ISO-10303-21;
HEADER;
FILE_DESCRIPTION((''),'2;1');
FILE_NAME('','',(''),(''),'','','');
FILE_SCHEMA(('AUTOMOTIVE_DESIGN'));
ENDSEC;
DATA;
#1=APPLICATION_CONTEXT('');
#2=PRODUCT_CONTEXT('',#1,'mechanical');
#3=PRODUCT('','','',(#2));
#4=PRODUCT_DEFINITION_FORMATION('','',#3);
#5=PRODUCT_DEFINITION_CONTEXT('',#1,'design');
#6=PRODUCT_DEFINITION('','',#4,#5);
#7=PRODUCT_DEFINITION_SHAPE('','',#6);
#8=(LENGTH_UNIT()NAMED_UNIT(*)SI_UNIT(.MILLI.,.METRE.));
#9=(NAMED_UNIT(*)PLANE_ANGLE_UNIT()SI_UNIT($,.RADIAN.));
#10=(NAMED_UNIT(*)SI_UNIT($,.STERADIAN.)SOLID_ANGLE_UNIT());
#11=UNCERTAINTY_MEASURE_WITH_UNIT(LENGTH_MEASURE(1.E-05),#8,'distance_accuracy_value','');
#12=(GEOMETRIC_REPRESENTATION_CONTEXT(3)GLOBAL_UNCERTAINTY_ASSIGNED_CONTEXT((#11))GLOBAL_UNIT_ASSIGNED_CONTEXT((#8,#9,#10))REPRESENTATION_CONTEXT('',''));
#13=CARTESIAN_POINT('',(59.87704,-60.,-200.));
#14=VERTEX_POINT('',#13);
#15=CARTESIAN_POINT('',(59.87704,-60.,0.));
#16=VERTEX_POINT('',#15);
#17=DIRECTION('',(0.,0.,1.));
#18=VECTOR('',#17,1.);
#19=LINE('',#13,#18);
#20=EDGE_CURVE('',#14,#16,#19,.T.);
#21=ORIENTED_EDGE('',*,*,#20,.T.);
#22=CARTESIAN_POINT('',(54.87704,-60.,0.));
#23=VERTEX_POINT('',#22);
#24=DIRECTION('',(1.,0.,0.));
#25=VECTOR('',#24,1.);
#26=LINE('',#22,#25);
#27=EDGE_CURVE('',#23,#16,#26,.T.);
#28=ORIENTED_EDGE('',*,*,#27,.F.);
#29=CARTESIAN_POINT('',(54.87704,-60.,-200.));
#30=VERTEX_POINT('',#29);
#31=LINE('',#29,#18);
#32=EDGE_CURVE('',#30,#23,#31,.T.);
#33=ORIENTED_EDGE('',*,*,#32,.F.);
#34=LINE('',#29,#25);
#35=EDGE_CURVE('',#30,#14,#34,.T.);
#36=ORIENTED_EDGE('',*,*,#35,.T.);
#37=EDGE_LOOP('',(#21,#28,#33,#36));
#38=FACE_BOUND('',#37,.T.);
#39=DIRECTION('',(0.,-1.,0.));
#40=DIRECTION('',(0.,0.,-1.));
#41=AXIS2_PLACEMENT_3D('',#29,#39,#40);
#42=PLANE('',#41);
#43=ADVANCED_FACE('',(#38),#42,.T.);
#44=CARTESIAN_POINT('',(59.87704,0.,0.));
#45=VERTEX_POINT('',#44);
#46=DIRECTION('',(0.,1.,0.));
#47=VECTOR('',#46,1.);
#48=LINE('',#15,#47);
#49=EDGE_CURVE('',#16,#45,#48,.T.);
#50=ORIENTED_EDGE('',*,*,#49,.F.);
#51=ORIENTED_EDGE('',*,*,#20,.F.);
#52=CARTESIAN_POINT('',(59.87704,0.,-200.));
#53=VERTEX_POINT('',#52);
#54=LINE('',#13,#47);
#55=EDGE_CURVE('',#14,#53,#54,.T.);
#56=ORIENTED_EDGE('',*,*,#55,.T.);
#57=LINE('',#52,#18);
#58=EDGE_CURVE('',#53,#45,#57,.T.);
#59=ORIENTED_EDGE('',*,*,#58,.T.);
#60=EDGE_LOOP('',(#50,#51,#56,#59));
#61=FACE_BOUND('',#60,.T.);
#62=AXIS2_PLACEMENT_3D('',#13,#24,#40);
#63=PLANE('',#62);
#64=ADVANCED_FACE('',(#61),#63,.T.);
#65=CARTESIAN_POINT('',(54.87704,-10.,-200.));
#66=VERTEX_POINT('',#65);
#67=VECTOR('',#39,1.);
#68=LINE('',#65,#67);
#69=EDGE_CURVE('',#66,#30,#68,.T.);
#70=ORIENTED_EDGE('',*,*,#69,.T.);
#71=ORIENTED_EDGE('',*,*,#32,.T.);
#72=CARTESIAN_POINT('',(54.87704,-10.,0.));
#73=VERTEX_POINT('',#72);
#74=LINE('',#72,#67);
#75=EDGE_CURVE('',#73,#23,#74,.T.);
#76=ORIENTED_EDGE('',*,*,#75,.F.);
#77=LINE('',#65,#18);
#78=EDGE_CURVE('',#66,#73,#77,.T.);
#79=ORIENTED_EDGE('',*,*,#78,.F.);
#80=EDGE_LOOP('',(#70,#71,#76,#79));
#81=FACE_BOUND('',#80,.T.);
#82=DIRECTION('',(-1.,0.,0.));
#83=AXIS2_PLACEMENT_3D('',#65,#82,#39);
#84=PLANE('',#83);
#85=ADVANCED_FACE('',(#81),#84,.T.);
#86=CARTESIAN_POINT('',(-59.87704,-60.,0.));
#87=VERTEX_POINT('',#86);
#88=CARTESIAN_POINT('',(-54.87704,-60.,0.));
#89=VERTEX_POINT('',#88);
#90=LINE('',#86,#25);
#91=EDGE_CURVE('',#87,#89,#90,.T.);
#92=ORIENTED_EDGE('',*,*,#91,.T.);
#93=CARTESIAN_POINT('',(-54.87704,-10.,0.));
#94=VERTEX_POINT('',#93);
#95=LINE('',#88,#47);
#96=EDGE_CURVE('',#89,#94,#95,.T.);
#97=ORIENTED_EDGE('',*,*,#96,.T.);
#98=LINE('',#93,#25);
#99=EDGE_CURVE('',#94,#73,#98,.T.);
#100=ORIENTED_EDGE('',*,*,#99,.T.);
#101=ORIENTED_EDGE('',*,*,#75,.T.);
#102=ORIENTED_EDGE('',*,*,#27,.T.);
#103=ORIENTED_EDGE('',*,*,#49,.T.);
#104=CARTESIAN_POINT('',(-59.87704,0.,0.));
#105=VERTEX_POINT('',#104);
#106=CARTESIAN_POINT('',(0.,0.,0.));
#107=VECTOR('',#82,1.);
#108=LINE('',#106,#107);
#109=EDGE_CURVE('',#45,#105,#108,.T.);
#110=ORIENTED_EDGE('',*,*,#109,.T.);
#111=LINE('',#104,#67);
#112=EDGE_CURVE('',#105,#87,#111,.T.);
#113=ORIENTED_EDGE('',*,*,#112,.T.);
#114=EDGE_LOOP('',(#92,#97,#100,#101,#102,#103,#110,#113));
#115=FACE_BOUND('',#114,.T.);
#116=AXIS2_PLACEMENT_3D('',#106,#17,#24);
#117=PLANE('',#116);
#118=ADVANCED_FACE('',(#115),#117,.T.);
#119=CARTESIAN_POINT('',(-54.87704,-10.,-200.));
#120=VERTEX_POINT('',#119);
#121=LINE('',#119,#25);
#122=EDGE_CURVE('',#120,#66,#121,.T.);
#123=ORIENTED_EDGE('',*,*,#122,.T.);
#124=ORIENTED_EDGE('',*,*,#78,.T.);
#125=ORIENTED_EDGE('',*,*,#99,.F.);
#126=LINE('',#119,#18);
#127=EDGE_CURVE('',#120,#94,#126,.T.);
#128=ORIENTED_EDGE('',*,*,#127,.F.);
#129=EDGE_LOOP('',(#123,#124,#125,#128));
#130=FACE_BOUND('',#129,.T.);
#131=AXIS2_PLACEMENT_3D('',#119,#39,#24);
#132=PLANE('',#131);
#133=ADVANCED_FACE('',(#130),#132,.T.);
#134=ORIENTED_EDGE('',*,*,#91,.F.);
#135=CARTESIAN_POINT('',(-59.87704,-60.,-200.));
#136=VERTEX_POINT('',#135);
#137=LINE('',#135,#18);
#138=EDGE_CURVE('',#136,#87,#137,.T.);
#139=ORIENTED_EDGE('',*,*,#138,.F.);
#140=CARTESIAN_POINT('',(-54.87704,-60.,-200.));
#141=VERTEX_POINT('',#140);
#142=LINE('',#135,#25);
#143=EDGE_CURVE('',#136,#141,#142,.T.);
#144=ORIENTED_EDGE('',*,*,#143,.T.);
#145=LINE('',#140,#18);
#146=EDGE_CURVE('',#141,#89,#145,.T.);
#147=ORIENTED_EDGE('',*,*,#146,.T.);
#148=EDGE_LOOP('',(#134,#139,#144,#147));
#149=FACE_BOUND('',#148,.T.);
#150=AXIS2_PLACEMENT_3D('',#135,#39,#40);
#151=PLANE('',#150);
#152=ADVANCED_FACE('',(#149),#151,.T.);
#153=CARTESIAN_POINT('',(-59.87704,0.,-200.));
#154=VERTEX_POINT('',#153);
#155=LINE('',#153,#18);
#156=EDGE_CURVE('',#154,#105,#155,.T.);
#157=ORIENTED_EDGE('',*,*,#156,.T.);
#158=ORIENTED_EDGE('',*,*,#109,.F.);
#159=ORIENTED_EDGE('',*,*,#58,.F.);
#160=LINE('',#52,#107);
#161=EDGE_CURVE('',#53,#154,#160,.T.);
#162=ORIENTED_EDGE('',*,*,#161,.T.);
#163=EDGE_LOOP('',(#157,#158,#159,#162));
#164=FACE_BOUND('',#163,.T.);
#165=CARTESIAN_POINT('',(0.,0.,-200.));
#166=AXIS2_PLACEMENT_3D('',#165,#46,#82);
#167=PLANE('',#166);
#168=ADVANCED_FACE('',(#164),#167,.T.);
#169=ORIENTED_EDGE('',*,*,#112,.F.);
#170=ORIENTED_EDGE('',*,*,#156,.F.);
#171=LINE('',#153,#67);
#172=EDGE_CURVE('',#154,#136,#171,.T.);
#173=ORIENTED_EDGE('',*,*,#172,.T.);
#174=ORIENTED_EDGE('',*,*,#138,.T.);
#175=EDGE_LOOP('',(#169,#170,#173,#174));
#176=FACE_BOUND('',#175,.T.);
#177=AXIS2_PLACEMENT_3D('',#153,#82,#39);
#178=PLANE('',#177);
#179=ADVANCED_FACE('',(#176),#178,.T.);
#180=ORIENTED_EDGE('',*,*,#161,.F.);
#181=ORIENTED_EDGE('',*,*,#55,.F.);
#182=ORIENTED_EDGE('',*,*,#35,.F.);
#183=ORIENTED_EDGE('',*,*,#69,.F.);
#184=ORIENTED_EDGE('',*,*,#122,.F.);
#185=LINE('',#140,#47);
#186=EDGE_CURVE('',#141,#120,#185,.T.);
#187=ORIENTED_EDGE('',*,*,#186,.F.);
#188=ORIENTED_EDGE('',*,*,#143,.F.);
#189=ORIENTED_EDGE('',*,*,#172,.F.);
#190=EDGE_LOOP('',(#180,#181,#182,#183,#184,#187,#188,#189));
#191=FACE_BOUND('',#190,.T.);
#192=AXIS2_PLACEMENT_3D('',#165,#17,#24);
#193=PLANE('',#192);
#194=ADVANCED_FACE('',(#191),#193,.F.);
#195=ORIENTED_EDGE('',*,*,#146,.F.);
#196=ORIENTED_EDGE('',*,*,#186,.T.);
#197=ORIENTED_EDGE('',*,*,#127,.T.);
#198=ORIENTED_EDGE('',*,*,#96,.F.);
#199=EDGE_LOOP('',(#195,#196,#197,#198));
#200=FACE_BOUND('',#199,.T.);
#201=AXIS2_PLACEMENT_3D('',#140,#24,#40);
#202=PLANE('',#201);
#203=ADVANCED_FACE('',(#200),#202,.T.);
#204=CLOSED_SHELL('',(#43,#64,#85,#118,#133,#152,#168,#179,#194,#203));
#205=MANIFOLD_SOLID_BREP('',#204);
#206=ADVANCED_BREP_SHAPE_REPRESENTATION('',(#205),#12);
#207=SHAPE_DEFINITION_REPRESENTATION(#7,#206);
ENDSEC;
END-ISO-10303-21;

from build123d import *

# Parameters (mm, degrees)
SALIENTE_EXTRUIR1_DEPTH = 200


with BuildPart() as part:
    # Croquis1 → Saliente-Extruir1 (new body)
    with BuildSketch(Plane.XY):
        Polygon((0, 0), (-59.877040429, 0), (-59.877040429, -60), (-54.877040429, -60), (-54.877040429, -10), (54.877040429, -10), (54.877040429, -60), (59.877040429, -60), (59.877040429, 0), align=None)
    extrude(amount=-SALIENTE_EXTRUIR1_DEPTH)


solid = part.part
